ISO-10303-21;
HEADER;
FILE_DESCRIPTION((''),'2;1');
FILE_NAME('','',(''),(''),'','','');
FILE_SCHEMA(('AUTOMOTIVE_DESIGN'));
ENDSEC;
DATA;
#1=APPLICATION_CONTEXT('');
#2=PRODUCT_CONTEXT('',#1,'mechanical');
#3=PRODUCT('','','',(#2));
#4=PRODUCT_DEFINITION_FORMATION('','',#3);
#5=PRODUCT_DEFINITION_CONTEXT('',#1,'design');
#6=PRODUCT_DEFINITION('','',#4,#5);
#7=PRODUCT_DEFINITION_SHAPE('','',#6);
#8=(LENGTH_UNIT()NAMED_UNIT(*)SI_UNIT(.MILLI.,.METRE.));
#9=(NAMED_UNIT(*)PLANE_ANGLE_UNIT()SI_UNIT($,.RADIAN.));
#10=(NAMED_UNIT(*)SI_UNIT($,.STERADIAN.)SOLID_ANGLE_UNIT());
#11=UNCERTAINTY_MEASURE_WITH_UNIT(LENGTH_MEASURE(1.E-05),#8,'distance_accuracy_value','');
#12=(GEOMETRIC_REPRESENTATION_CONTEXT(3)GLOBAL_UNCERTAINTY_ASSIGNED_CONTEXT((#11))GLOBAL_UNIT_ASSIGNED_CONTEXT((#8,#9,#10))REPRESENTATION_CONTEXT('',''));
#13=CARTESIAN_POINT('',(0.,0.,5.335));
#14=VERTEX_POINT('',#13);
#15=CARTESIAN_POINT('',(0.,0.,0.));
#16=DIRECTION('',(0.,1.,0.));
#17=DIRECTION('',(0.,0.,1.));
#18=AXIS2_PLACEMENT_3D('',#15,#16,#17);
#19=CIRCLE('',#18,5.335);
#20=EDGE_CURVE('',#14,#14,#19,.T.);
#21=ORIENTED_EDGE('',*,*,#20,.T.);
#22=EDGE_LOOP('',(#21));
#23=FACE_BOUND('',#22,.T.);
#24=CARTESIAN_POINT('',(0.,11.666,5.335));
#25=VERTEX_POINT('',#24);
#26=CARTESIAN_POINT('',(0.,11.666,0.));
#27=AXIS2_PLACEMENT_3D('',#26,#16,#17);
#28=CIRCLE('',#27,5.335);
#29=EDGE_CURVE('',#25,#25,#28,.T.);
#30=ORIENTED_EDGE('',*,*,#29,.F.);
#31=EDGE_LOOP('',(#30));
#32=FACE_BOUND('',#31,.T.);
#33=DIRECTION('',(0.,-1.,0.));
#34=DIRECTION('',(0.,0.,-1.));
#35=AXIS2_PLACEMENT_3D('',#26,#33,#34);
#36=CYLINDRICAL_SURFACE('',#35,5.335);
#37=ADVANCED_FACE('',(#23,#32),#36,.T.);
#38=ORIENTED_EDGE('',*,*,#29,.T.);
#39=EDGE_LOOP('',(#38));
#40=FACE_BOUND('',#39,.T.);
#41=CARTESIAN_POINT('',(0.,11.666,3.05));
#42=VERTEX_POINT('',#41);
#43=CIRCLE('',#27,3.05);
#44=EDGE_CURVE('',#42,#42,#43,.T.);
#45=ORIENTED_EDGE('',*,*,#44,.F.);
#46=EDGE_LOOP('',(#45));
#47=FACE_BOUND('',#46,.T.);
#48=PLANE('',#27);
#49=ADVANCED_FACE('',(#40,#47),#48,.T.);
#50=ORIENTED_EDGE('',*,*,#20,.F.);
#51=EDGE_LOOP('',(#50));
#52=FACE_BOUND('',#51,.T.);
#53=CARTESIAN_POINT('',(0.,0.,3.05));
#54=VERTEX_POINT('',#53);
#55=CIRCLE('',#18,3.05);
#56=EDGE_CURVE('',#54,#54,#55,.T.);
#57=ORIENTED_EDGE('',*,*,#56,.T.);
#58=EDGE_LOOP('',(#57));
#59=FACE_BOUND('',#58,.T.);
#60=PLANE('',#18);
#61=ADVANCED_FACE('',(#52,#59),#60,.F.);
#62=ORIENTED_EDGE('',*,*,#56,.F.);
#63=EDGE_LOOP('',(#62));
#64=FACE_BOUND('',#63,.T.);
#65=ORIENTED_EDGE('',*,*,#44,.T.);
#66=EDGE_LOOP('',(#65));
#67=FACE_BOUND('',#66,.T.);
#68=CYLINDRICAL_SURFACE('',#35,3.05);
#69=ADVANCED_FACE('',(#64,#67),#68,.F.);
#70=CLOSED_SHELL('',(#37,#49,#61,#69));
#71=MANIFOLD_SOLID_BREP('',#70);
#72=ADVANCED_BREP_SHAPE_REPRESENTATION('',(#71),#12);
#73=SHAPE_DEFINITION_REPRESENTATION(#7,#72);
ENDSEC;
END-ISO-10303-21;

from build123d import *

# Parameters (mm, degrees)
SKETCH2_R           = 5.335
SKETCH2_R_2         = 3.05
BOSS_EXTRUDE1_DEPTH = 11.666


with BuildPart() as part:
    # Sketch2 → Boss-Extrude1 (new body)
    with BuildSketch(Plane(origin=(0, 0, 0), x_dir=(1, 0, 0), z_dir=(0, 1, 0))):
        with Locations(Location((0, 0, 0), (0, 0, 270))):
            Circle(SKETCH2_R)
        with Locations(Location((0, 0, 0), (0, 0, 270))):
            Circle(SKETCH2_R_2, mode=Mode.SUBTRACT)
    extrude(amount=BOSS_EXTRUDE1_DEPTH)


solid = part.part
